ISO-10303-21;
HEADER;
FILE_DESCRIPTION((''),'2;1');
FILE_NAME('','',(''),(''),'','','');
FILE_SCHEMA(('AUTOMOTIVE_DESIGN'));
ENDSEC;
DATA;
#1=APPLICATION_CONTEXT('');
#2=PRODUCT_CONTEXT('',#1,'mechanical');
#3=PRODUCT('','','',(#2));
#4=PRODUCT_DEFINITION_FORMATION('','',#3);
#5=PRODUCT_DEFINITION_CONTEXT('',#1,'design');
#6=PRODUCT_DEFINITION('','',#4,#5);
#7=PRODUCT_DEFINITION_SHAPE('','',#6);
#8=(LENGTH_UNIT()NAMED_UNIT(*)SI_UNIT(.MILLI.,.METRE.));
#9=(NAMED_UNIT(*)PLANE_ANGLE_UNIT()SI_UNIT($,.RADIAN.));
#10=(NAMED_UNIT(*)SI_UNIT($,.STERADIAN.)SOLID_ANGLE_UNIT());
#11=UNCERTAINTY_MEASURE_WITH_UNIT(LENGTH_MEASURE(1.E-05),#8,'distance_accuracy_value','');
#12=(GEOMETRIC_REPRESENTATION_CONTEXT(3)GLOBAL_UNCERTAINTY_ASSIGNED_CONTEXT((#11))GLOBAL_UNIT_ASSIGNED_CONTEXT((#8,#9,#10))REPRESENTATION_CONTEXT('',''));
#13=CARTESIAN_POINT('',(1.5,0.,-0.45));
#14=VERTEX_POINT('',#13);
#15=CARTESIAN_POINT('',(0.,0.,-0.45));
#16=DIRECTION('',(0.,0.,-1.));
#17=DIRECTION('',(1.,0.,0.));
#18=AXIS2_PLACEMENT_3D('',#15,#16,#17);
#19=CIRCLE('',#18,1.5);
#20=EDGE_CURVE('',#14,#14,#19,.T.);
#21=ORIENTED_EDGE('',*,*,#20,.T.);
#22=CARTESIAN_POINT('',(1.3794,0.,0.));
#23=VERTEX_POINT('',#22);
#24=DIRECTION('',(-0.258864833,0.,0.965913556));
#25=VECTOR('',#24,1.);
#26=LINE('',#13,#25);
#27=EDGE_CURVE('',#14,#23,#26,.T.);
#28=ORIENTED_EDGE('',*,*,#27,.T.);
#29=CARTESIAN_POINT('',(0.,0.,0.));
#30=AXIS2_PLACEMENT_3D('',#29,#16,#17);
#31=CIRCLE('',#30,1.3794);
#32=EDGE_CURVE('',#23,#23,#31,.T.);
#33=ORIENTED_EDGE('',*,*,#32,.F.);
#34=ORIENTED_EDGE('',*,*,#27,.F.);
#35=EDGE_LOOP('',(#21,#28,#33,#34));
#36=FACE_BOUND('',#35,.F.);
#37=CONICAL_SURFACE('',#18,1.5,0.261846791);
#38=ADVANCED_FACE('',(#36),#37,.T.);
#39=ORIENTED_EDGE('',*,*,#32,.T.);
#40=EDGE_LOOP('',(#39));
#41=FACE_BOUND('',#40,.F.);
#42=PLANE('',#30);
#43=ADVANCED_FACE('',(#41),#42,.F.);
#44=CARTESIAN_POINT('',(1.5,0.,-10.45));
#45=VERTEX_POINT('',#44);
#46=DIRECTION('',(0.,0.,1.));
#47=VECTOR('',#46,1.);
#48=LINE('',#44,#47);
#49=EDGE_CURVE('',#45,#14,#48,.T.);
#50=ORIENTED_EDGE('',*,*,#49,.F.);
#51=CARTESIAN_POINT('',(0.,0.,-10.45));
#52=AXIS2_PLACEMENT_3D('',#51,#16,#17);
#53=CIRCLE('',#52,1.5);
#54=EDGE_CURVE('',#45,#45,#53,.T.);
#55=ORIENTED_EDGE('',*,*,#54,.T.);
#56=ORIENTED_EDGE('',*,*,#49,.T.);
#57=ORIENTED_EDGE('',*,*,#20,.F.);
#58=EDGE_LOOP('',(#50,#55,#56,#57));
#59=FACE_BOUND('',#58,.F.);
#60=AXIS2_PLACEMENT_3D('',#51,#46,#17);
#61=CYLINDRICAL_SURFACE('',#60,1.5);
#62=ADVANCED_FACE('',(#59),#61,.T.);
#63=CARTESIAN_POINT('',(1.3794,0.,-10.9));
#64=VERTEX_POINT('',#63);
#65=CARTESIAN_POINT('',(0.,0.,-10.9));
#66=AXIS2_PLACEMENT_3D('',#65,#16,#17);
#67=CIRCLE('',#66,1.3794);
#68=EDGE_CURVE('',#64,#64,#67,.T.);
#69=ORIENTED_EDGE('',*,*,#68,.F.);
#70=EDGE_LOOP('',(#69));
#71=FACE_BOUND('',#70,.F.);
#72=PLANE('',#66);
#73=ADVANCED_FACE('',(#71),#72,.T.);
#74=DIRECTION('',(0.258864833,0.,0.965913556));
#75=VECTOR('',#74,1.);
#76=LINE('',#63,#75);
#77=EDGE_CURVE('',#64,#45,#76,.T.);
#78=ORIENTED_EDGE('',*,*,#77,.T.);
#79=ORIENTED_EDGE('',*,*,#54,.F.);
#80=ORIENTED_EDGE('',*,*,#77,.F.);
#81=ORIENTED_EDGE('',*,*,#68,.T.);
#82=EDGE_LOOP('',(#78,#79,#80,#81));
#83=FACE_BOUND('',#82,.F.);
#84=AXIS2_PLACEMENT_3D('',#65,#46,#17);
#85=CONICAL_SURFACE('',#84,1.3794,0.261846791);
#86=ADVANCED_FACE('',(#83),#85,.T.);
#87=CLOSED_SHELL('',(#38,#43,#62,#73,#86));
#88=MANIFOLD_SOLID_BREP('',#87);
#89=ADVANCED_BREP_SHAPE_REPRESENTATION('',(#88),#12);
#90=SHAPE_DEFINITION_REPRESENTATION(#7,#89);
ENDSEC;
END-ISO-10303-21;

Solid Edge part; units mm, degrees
sketch "Sketch1" plane through (0, 0, 0) normal (0, -1, 0) x (1, 0, 0)
  line L0 (0, -10.9) -> (1.3794, -10.9)
  line L1 (1.3794, -10.9) -> (1.5, -10.45)
  line L2 (1.5, -10.45) -> (1.5, -0.45)
  line L3 (1.5, -0.45) -> (1.3794, 0)
  line L4 (1.3794, 0) -> (0, 0)
  dimension "D1" = 1.5
  dimension "D2" = 10
  dimension "D3" = 0.45
revolve "RevolvedProtrusion_1" add sketch "Sketch1" angle 360 about axis through (0, 0, 0) along (0, 0, -1)
properties material "Stahl"
